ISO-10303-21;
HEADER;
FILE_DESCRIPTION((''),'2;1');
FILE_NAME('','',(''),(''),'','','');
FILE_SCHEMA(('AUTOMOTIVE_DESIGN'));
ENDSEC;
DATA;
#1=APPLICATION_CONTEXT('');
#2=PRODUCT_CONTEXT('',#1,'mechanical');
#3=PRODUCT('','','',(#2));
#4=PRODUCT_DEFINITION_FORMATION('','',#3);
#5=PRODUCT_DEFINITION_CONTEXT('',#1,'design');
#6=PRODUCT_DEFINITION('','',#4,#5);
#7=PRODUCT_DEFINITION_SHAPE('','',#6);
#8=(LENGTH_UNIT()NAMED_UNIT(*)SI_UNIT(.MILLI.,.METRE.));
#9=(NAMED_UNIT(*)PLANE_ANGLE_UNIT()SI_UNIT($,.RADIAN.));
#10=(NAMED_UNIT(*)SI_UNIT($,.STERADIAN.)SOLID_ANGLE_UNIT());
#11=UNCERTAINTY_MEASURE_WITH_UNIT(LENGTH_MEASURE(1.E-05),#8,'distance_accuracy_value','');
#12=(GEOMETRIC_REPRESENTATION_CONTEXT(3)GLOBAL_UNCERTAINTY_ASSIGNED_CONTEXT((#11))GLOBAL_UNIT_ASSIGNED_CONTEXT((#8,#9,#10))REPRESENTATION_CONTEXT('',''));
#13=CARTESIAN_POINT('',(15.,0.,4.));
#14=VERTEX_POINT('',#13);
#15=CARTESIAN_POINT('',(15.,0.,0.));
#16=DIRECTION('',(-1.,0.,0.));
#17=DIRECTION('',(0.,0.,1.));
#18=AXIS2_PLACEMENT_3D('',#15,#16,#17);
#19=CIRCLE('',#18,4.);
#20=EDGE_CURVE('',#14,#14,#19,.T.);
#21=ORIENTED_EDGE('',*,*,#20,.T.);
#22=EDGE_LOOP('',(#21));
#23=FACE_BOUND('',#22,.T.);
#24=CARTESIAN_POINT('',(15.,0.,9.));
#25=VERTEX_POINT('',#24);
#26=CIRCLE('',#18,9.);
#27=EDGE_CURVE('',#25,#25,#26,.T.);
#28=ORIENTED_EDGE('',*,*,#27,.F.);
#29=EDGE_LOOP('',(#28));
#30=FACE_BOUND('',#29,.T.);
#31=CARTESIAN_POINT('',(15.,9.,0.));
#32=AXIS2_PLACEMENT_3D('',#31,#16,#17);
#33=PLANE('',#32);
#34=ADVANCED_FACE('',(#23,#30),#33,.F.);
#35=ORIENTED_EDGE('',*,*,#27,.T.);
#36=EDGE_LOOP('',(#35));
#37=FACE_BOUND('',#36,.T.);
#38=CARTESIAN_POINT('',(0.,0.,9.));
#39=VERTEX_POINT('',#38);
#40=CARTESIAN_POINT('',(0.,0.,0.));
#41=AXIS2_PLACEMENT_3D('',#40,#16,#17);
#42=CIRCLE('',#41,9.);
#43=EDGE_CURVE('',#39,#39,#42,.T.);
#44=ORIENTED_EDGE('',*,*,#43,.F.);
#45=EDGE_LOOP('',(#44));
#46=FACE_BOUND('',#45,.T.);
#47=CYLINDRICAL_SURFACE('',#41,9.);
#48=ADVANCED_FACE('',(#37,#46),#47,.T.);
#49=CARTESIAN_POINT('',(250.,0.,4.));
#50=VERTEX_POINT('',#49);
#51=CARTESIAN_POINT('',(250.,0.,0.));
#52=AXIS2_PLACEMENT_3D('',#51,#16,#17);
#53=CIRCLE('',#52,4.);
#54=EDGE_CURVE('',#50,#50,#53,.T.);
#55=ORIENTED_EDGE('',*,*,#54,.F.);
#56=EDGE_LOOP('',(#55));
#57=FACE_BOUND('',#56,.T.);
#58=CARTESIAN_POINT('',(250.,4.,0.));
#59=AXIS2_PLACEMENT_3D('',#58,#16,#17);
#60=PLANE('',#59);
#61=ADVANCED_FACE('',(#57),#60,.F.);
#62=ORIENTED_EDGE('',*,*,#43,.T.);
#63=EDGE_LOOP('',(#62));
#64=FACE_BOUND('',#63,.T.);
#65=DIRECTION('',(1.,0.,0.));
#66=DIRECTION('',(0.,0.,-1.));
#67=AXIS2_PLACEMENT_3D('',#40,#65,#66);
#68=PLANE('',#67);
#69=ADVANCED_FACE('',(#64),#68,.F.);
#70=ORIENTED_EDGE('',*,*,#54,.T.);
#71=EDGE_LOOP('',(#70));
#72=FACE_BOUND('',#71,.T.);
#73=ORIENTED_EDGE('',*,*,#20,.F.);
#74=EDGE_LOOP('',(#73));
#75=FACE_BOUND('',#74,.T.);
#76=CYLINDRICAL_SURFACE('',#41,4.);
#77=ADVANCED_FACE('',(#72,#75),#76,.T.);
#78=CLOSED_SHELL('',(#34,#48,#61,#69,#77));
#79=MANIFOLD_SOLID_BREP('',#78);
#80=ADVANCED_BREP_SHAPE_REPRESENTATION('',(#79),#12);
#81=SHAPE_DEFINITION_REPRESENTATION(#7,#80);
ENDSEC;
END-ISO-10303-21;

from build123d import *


with BuildPart() as part:
    # 草图1 → 旋转1 (revolve)
    with BuildSketch(Plane.XY, mode=Mode.PRIVATE) as revolve_1_sk:
        Polygon((0, 0), (0, 9), (15, 9), (15, 4), (250, 4), (250, 0), align=None)
    revolve(revolve_1_sk.sketch.rotate(Axis((0, 0, 0), (1, 0, 0)), 90), axis=Axis((0, 0, 0), (1, 0, 0)))


solid = part.part
